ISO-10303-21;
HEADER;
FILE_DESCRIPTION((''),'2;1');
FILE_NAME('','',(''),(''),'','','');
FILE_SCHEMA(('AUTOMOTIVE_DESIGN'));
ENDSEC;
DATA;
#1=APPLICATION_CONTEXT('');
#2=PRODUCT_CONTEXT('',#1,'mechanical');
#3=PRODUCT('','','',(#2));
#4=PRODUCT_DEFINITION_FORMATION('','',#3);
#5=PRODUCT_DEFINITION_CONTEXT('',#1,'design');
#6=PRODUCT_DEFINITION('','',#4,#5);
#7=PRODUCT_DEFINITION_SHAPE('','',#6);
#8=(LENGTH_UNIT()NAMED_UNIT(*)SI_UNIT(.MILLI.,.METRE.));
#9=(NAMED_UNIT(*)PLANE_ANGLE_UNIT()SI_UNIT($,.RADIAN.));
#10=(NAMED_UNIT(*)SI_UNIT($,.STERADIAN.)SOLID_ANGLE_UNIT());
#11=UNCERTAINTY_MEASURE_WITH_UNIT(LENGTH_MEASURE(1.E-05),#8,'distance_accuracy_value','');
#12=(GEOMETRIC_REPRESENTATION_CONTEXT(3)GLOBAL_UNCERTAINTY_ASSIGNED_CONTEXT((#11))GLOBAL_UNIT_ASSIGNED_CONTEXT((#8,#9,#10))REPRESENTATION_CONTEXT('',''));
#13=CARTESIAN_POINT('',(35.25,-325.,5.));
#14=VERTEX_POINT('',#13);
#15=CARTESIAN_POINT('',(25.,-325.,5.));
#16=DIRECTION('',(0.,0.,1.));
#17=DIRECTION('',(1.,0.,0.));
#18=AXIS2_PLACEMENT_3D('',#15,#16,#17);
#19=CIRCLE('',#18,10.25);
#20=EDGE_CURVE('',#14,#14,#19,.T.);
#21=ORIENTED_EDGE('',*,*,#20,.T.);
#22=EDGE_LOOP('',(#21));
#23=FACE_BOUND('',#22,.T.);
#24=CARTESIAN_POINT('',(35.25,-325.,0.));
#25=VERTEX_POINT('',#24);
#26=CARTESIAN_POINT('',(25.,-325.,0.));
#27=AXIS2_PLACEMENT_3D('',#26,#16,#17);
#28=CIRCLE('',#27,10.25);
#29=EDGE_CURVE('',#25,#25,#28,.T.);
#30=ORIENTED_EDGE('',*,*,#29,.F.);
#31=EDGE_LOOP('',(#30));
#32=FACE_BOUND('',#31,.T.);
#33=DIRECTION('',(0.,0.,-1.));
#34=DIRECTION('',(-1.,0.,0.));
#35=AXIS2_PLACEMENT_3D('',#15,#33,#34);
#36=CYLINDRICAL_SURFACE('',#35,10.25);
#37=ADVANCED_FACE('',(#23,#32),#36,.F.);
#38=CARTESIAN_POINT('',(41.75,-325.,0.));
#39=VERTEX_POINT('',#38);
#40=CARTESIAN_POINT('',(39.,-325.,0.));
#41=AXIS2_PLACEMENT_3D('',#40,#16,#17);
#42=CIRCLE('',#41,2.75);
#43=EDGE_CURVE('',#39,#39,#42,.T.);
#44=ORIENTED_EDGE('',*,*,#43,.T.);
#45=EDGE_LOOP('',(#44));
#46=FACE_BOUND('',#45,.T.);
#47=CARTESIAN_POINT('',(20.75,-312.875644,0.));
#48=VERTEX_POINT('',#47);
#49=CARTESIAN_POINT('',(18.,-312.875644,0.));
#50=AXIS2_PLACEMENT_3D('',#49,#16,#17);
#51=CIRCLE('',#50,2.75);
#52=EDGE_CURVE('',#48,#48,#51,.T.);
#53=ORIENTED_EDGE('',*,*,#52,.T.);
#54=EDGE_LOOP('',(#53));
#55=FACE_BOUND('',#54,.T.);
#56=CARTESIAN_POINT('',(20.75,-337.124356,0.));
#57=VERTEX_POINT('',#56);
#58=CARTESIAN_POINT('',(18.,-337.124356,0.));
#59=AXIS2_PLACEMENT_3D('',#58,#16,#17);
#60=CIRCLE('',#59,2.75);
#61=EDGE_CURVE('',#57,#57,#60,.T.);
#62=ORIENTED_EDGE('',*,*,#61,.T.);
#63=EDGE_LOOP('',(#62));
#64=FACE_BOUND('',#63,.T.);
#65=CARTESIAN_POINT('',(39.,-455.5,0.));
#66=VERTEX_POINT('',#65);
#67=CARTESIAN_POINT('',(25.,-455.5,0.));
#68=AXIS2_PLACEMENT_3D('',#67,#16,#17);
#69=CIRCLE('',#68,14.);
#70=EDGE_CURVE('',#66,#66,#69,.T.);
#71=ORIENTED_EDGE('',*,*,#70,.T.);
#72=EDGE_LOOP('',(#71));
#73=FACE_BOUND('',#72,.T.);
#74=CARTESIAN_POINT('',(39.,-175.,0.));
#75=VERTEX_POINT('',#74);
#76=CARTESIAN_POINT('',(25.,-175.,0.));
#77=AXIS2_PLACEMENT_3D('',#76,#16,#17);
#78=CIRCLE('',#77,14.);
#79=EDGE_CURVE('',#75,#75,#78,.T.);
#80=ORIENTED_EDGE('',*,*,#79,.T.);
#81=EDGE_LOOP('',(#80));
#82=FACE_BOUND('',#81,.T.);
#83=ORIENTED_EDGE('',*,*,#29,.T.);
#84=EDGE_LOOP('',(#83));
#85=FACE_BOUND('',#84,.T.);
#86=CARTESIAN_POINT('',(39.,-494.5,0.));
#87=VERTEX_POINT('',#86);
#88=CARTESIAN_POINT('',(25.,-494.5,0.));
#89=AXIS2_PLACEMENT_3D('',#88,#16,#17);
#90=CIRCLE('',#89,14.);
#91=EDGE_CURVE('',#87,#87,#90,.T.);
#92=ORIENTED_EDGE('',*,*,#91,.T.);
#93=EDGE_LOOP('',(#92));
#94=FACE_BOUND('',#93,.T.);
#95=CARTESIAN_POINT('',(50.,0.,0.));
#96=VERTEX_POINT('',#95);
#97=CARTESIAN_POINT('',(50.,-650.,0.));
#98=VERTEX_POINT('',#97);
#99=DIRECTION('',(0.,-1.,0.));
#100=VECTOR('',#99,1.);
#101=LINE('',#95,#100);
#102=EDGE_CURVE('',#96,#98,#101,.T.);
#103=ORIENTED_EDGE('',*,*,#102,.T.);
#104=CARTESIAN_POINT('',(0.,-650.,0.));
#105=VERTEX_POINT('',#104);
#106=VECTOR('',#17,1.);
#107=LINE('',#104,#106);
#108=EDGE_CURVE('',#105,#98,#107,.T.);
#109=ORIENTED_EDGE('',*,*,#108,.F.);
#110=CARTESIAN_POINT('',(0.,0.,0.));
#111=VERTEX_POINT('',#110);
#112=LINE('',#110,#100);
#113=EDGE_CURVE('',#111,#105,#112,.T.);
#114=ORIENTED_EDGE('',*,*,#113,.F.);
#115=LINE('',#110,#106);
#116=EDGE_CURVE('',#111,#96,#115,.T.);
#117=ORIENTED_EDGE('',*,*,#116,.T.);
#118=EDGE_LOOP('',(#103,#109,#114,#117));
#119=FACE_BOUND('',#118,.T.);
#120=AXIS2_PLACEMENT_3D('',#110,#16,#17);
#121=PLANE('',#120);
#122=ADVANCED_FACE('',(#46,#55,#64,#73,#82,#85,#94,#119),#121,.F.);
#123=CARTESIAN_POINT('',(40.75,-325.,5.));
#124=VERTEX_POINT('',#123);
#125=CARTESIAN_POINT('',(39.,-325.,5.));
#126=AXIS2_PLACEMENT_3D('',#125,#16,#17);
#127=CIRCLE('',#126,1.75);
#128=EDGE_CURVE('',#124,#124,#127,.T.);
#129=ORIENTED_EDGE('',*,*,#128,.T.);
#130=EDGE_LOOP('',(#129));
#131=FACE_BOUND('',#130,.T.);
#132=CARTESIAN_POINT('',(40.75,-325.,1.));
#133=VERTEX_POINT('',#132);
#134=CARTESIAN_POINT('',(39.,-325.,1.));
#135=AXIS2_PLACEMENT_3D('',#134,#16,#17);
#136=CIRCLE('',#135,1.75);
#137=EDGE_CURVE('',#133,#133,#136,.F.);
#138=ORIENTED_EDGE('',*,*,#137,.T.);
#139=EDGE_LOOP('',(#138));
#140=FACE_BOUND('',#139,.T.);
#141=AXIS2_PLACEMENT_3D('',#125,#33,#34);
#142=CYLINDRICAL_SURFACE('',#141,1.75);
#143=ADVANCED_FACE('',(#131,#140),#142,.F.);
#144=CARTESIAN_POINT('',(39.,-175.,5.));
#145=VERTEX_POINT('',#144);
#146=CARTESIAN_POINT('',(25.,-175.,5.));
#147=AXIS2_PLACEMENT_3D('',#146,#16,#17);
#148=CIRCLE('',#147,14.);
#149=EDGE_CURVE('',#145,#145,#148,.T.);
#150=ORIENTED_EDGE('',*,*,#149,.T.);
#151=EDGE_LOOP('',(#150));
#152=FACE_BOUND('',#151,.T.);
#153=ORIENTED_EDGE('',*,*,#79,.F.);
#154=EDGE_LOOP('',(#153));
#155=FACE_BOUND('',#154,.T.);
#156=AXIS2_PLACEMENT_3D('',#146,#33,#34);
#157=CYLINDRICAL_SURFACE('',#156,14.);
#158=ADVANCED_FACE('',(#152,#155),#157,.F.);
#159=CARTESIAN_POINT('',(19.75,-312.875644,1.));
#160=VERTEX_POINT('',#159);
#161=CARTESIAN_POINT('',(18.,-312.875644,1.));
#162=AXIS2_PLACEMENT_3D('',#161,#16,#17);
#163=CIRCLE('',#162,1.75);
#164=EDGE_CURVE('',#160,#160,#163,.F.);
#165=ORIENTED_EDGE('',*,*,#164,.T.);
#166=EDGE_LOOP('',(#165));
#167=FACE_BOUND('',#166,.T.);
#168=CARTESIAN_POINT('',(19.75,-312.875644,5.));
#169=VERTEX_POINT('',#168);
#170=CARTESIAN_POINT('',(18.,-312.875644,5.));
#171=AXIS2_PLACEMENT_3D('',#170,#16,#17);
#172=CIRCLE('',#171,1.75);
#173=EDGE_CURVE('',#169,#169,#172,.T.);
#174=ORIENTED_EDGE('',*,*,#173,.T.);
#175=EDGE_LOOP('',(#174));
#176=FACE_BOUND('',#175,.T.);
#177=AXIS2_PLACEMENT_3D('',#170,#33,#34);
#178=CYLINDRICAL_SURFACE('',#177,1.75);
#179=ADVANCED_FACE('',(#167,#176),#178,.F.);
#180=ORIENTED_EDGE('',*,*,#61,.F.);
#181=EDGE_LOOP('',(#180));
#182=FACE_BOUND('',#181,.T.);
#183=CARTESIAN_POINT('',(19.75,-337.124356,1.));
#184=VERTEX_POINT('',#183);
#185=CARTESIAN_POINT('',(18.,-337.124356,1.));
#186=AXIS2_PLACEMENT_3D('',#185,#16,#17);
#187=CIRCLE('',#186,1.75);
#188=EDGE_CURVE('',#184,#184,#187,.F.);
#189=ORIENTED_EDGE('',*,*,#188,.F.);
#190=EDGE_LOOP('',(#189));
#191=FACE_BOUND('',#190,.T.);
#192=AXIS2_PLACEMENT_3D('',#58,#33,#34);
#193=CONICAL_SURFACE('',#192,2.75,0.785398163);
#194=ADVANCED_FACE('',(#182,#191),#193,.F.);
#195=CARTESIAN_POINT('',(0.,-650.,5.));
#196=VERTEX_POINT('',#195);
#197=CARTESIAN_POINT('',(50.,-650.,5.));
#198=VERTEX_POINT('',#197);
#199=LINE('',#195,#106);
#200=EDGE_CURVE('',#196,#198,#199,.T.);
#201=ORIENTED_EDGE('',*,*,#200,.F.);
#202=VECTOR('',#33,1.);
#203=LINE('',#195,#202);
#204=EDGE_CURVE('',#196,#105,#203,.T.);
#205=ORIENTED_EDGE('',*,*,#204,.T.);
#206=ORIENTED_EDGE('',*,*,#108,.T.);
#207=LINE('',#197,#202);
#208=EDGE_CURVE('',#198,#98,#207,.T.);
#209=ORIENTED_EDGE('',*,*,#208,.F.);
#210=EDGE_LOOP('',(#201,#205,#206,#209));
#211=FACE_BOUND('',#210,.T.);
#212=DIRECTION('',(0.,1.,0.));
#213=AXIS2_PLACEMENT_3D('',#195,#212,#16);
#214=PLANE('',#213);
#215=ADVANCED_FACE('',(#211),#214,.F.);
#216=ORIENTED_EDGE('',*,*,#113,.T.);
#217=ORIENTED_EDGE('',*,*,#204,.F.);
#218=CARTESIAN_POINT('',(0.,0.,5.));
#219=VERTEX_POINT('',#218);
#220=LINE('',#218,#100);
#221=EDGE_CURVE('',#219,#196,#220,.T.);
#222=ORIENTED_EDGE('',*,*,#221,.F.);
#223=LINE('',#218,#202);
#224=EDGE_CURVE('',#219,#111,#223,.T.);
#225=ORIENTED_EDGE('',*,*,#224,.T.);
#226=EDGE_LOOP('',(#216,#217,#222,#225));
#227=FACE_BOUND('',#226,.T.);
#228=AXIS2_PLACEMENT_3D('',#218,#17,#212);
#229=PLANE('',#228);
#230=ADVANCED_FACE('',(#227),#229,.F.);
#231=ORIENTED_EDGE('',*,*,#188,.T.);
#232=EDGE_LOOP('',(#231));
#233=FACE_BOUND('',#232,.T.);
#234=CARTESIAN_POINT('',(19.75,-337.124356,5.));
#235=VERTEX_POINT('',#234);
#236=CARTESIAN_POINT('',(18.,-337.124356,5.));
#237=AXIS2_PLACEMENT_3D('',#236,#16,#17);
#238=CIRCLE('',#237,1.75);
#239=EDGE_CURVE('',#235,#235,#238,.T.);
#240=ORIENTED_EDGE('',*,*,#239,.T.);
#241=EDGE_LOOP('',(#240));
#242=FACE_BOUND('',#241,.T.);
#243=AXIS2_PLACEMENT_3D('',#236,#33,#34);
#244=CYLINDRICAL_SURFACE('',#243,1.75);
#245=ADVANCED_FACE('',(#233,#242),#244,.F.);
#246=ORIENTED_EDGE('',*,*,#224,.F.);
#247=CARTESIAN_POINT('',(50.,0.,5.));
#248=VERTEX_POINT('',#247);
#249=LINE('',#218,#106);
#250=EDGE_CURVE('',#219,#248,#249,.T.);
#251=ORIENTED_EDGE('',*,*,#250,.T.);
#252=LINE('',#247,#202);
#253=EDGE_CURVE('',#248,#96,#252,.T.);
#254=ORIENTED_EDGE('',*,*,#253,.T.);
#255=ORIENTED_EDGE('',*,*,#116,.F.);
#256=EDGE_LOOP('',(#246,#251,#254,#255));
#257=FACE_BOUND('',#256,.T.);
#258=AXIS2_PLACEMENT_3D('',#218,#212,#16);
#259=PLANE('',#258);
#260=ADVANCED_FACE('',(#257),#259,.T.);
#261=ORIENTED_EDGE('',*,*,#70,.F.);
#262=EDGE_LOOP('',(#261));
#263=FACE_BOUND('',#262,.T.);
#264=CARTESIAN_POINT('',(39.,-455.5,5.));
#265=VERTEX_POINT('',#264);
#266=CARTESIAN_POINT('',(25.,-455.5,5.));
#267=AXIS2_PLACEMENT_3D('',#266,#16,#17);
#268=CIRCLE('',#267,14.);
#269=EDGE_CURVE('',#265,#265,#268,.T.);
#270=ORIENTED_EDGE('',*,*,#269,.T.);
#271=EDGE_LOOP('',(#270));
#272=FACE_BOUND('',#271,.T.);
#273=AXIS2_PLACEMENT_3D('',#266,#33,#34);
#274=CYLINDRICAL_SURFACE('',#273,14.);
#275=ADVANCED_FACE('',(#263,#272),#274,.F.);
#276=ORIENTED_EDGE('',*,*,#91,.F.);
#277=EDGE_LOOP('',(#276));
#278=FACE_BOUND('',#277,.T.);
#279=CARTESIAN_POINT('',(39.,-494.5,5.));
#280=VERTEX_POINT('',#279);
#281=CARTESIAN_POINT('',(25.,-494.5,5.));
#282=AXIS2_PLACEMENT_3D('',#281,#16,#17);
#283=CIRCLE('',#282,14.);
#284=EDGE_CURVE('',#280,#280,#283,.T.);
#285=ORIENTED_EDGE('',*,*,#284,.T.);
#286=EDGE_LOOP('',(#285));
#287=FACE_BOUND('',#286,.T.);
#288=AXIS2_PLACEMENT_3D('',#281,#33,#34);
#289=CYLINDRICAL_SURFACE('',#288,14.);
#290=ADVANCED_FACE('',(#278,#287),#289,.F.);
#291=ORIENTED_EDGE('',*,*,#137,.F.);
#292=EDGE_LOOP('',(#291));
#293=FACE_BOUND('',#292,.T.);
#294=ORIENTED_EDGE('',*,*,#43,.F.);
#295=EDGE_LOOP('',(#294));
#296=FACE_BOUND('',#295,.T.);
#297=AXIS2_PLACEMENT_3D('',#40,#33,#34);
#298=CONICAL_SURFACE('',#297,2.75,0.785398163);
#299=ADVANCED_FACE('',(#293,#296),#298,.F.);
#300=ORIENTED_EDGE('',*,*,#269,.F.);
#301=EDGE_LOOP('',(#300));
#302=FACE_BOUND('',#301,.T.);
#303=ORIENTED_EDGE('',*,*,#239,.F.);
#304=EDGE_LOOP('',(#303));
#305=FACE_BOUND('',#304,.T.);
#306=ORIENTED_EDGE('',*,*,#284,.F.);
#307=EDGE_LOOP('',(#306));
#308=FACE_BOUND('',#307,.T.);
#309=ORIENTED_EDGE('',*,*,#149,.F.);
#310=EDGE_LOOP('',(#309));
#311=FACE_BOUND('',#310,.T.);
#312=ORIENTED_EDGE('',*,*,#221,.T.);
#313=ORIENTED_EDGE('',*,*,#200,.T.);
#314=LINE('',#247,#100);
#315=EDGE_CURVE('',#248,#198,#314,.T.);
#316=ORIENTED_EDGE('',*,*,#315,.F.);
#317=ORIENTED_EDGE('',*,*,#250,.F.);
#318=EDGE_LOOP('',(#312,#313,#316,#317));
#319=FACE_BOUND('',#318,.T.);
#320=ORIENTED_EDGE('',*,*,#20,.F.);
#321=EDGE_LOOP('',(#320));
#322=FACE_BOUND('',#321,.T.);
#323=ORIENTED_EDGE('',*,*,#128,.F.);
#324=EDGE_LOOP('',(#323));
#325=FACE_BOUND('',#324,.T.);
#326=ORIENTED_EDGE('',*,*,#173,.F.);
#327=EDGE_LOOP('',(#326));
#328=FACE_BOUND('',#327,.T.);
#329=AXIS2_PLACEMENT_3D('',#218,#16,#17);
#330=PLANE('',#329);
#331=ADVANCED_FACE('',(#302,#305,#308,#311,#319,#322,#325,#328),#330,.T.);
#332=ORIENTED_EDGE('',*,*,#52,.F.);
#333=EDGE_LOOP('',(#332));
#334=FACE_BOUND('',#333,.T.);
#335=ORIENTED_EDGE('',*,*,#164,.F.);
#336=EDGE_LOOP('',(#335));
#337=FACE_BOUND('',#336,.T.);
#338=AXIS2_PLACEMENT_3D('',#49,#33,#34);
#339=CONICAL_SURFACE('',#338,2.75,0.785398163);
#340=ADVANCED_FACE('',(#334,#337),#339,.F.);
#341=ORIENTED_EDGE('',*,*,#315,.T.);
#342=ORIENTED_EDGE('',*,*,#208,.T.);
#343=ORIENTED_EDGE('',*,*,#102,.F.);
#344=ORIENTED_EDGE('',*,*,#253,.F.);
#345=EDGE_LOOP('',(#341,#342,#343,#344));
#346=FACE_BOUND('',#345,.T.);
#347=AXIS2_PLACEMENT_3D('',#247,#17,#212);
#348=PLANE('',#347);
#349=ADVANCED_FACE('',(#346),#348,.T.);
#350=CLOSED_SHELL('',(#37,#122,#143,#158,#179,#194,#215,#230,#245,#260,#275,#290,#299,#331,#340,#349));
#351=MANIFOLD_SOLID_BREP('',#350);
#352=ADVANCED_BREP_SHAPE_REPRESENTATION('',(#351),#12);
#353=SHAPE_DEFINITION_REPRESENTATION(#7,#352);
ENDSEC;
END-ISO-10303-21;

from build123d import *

# Parameters (mm, degrees)
ESQUISSE1_W        = 50
ESQUISSE1_H        = 650
ESQUISSE1_R        = 10.25
ESQUISSE1_R_2      = 14
ESQUISSE1_R_3      = 1.75
BOSS_EXTRU_1_DEPTH = 5
CHANFREIN1_SIZE    = 1


with BuildPart() as part:
    # Esquisse1 → Boss.-Extru.1 (new body)
    with BuildSketch(Plane.XY):
        with Locations((25, -325)):
            Rectangle(ESQUISSE1_W, ESQUISSE1_H)
        with Locations((25, -325)):
            Circle(ESQUISSE1_R, mode=Mode.SUBTRACT)
        with Locations((25, -494.5)):
            Circle(ESQUISSE1_R_2, mode=Mode.SUBTRACT)
        with Locations((18, -312.875644347)):
            Circle(ESQUISSE1_R_3, mode=Mode.SUBTRACT)
        with Locations((18, -337.124355653)):
            Circle(ESQUISSE1_R_3, mode=Mode.SUBTRACT)
        with Locations((39, -325)):
            Circle(ESQUISSE1_R_3, mode=Mode.SUBTRACT)
        with Locations((25, -455.5)):
            Circle(ESQUISSE1_R_2, mode=Mode.SUBTRACT)
        with Locations((25, -175)):
            Circle(ESQUISSE1_R_2, mode=Mode.SUBTRACT)
    extrude(amount=BOSS_EXTRU_1_DEPTH)

    # Chanfrein1
    chanfrein1_edges = [part.edges().sort_by_distance(p)[0] for p in [
        (16.25, -312.875644347, 0),
        (37.25, -325, 0),
        (16.25, -337.124355653, 0),
    ]]
    chamfer(chanfrein1_edges, length=CHANFREIN1_SIZE)


solid = part.part
